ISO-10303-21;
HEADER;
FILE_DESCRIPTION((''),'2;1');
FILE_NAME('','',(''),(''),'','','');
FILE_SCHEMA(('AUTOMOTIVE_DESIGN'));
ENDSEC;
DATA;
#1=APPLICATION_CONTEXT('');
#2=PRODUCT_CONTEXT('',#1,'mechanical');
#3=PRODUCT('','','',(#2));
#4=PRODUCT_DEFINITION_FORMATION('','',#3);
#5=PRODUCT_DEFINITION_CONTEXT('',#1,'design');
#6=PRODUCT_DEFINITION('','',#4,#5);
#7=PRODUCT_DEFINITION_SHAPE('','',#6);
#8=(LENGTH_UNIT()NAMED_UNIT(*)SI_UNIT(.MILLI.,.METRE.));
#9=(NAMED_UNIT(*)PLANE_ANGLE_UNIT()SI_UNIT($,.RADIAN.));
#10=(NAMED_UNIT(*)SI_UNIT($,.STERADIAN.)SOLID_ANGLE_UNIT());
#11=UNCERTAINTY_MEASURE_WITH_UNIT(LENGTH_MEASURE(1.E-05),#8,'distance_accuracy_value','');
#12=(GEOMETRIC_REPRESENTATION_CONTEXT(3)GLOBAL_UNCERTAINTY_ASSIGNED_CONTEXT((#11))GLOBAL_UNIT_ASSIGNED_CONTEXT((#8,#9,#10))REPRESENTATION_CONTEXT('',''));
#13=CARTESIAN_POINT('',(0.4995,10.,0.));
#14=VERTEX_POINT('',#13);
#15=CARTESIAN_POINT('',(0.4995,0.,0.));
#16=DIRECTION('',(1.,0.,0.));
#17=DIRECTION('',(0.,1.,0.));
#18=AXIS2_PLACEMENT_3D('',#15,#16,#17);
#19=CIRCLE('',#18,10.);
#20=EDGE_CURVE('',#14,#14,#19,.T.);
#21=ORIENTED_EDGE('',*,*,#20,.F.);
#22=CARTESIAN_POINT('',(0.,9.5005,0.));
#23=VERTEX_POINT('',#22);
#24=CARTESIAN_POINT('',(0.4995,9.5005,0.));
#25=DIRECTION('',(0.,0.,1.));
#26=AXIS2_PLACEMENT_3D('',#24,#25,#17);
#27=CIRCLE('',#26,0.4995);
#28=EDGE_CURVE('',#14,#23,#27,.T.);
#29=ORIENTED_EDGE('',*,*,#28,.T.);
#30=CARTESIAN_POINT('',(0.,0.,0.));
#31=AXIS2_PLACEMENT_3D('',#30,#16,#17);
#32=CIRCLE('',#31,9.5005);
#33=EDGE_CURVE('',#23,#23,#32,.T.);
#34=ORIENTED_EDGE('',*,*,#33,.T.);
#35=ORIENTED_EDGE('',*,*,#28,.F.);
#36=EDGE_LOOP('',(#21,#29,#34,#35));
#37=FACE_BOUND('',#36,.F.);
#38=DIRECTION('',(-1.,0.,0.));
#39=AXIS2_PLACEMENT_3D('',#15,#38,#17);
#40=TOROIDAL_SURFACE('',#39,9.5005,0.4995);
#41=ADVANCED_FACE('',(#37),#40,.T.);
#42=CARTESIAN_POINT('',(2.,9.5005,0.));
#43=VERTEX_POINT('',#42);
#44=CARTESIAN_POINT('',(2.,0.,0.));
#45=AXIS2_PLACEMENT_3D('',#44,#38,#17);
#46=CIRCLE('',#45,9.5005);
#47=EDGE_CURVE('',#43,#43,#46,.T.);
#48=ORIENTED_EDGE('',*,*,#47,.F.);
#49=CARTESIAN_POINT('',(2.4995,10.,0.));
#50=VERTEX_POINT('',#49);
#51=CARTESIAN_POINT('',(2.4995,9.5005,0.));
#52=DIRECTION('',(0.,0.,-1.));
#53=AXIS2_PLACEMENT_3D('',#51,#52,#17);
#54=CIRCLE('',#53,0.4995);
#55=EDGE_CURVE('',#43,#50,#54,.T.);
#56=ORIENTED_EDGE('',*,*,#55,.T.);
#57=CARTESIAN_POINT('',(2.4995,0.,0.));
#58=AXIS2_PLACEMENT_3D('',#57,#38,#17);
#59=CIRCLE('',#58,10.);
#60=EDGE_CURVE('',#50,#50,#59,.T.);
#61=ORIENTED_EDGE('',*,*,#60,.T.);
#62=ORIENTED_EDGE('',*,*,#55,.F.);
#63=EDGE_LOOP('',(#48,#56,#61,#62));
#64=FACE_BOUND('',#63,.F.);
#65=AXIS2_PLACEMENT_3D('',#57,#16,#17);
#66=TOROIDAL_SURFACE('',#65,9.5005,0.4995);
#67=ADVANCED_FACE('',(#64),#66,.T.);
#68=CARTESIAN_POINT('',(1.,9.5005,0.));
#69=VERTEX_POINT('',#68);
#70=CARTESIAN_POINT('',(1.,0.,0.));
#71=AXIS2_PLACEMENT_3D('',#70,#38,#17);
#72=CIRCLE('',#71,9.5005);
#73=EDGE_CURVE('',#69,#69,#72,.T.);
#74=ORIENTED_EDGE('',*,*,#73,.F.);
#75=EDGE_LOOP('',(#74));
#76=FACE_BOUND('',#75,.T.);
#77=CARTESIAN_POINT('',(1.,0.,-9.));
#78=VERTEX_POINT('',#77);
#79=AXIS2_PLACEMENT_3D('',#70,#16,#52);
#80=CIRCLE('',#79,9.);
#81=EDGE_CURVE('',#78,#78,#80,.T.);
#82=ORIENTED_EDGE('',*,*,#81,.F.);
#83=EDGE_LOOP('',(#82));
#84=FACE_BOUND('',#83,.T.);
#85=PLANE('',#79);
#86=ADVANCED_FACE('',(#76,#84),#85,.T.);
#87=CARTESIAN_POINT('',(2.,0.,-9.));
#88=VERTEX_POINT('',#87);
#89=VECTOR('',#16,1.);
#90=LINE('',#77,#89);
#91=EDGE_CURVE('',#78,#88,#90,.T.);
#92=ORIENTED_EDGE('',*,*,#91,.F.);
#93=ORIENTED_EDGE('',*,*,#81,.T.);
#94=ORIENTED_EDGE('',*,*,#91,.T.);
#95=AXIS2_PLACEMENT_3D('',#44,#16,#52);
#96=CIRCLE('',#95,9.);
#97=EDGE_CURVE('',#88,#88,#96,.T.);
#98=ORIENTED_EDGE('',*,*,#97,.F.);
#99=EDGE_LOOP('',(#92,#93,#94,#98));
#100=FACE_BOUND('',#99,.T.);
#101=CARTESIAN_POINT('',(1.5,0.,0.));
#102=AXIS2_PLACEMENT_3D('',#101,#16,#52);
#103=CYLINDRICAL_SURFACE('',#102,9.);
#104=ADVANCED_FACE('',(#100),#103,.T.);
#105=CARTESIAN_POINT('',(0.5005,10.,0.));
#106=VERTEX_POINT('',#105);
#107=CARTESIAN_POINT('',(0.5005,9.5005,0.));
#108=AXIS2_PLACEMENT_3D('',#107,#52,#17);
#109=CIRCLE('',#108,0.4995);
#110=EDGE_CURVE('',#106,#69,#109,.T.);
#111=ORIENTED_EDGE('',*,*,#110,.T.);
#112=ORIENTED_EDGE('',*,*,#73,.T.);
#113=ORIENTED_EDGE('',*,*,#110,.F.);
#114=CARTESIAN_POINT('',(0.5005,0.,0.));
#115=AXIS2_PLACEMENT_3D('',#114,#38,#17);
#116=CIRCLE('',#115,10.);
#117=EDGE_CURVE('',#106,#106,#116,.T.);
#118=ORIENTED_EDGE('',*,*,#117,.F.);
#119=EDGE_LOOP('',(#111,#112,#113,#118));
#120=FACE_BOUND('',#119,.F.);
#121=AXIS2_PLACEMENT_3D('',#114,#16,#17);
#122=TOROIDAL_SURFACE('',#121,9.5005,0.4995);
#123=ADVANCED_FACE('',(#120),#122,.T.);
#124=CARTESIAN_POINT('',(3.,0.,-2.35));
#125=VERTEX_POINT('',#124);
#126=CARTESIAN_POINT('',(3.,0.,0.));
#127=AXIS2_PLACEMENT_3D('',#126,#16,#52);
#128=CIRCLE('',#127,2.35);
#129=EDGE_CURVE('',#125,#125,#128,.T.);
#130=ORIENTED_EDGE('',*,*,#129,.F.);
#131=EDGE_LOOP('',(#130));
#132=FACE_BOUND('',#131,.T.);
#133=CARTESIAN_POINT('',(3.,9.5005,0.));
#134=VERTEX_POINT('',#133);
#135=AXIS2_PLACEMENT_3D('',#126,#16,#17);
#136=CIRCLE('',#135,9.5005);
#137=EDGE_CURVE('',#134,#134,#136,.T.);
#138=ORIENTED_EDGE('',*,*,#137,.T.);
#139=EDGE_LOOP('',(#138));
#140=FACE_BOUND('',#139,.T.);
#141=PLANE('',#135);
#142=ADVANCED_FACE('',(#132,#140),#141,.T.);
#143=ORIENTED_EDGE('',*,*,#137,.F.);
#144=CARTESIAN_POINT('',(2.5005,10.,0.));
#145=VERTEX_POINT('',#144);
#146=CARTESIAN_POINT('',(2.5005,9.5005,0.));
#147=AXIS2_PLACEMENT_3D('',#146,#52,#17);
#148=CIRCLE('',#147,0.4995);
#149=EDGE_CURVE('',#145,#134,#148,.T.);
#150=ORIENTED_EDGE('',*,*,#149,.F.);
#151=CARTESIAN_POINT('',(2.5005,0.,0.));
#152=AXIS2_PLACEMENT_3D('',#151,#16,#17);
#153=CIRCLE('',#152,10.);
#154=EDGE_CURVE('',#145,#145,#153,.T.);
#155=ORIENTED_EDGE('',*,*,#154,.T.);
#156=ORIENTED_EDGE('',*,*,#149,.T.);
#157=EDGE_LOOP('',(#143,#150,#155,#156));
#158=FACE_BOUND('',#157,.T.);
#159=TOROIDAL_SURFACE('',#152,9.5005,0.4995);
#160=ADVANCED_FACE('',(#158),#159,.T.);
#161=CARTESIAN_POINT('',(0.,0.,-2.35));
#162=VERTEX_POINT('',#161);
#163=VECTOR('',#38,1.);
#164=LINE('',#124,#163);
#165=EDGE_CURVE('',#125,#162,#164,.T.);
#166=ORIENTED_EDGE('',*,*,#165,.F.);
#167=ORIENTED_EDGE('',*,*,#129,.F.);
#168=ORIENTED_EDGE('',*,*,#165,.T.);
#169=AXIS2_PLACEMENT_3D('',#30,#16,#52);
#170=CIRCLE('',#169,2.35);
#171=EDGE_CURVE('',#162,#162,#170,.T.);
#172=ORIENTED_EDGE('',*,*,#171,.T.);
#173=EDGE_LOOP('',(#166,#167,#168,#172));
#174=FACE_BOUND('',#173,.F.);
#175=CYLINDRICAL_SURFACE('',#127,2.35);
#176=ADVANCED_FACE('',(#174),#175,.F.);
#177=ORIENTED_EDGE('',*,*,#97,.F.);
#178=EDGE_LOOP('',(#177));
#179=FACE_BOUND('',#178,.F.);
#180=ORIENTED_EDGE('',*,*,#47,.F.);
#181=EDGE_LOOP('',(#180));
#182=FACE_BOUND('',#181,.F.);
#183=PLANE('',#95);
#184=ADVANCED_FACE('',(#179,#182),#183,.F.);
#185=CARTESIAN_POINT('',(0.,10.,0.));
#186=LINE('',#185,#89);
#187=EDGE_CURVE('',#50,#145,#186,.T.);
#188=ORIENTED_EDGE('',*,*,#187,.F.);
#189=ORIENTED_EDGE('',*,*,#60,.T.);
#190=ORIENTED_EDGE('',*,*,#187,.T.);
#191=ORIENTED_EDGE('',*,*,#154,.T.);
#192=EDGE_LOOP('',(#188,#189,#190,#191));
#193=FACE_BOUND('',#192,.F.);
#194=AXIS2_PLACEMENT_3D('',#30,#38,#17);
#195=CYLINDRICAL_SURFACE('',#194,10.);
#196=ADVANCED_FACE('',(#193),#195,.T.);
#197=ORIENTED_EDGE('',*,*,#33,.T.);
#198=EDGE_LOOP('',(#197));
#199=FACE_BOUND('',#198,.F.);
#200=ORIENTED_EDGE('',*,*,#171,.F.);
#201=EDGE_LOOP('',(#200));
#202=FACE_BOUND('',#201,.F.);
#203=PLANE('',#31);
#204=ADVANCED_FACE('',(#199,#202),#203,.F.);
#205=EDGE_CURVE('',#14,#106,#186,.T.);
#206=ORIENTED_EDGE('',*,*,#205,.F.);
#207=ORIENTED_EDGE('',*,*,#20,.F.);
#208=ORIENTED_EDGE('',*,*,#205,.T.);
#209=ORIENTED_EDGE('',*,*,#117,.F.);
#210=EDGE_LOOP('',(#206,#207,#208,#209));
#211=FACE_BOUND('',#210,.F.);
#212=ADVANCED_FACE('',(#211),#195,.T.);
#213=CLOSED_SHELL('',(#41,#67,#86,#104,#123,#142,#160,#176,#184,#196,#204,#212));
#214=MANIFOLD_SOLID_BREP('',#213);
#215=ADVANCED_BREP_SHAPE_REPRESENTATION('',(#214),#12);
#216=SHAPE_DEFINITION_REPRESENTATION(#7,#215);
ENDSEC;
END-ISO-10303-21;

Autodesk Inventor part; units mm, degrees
ref_plane "YZ Plane" through (0, 0, 0) normal (1, 0, 0) x (0, 1, 0)
ref_plane "XZ Plane" through (0, 0, 0) normal (0, 1, 0) x (-1, 0, 0)
ref_plane "XY Plane" through (0, 0, 0) normal (0, 0, 1) x (1, 0, 0)
sketch "Boceto1" plane through (0, 0, 0) normal (1, 0, 0) x (0, 1, 0)
  circle A0 centre (0, 0) radius 10
  dimension "d2" = 20
extrude "Extrusión1" add sketch "Boceto1" along normal blind 3
ref_plane "Plano de trabajo1" through (1.5, 0, 0) normal (1, 0, 0) x (0, 0, -1)
sketch "Boceto2" plane through (1.5, 0, 0) normal (1, 0, 0) x (0, 0, -1)
  circle A0 centre (0, 0) radius 14.342
  circle A1 centre (0, 0) radius 9
  dimension "d3" = 18
extrude "Extrusión2" cut sketch "Boceto2" along normal blind 0.5 and the other way blind 0.5
fillet "Empalme1" radius 0.5 4 edges at (3, -10, 0) (2, -10, 0) (1, -10, 0) (0, -10, 0)
sketch "Boceto3" plane through (3, 0, 0) normal (1, 0, 0) x (0, 0, -1)
  circle A0 centre (0, 0) radius 2.35
  dimension "d9" = 4.7
extrude "Extrusión3" cut sketch "Boceto3" against normal blind 10
properties part number "rueda servo"
